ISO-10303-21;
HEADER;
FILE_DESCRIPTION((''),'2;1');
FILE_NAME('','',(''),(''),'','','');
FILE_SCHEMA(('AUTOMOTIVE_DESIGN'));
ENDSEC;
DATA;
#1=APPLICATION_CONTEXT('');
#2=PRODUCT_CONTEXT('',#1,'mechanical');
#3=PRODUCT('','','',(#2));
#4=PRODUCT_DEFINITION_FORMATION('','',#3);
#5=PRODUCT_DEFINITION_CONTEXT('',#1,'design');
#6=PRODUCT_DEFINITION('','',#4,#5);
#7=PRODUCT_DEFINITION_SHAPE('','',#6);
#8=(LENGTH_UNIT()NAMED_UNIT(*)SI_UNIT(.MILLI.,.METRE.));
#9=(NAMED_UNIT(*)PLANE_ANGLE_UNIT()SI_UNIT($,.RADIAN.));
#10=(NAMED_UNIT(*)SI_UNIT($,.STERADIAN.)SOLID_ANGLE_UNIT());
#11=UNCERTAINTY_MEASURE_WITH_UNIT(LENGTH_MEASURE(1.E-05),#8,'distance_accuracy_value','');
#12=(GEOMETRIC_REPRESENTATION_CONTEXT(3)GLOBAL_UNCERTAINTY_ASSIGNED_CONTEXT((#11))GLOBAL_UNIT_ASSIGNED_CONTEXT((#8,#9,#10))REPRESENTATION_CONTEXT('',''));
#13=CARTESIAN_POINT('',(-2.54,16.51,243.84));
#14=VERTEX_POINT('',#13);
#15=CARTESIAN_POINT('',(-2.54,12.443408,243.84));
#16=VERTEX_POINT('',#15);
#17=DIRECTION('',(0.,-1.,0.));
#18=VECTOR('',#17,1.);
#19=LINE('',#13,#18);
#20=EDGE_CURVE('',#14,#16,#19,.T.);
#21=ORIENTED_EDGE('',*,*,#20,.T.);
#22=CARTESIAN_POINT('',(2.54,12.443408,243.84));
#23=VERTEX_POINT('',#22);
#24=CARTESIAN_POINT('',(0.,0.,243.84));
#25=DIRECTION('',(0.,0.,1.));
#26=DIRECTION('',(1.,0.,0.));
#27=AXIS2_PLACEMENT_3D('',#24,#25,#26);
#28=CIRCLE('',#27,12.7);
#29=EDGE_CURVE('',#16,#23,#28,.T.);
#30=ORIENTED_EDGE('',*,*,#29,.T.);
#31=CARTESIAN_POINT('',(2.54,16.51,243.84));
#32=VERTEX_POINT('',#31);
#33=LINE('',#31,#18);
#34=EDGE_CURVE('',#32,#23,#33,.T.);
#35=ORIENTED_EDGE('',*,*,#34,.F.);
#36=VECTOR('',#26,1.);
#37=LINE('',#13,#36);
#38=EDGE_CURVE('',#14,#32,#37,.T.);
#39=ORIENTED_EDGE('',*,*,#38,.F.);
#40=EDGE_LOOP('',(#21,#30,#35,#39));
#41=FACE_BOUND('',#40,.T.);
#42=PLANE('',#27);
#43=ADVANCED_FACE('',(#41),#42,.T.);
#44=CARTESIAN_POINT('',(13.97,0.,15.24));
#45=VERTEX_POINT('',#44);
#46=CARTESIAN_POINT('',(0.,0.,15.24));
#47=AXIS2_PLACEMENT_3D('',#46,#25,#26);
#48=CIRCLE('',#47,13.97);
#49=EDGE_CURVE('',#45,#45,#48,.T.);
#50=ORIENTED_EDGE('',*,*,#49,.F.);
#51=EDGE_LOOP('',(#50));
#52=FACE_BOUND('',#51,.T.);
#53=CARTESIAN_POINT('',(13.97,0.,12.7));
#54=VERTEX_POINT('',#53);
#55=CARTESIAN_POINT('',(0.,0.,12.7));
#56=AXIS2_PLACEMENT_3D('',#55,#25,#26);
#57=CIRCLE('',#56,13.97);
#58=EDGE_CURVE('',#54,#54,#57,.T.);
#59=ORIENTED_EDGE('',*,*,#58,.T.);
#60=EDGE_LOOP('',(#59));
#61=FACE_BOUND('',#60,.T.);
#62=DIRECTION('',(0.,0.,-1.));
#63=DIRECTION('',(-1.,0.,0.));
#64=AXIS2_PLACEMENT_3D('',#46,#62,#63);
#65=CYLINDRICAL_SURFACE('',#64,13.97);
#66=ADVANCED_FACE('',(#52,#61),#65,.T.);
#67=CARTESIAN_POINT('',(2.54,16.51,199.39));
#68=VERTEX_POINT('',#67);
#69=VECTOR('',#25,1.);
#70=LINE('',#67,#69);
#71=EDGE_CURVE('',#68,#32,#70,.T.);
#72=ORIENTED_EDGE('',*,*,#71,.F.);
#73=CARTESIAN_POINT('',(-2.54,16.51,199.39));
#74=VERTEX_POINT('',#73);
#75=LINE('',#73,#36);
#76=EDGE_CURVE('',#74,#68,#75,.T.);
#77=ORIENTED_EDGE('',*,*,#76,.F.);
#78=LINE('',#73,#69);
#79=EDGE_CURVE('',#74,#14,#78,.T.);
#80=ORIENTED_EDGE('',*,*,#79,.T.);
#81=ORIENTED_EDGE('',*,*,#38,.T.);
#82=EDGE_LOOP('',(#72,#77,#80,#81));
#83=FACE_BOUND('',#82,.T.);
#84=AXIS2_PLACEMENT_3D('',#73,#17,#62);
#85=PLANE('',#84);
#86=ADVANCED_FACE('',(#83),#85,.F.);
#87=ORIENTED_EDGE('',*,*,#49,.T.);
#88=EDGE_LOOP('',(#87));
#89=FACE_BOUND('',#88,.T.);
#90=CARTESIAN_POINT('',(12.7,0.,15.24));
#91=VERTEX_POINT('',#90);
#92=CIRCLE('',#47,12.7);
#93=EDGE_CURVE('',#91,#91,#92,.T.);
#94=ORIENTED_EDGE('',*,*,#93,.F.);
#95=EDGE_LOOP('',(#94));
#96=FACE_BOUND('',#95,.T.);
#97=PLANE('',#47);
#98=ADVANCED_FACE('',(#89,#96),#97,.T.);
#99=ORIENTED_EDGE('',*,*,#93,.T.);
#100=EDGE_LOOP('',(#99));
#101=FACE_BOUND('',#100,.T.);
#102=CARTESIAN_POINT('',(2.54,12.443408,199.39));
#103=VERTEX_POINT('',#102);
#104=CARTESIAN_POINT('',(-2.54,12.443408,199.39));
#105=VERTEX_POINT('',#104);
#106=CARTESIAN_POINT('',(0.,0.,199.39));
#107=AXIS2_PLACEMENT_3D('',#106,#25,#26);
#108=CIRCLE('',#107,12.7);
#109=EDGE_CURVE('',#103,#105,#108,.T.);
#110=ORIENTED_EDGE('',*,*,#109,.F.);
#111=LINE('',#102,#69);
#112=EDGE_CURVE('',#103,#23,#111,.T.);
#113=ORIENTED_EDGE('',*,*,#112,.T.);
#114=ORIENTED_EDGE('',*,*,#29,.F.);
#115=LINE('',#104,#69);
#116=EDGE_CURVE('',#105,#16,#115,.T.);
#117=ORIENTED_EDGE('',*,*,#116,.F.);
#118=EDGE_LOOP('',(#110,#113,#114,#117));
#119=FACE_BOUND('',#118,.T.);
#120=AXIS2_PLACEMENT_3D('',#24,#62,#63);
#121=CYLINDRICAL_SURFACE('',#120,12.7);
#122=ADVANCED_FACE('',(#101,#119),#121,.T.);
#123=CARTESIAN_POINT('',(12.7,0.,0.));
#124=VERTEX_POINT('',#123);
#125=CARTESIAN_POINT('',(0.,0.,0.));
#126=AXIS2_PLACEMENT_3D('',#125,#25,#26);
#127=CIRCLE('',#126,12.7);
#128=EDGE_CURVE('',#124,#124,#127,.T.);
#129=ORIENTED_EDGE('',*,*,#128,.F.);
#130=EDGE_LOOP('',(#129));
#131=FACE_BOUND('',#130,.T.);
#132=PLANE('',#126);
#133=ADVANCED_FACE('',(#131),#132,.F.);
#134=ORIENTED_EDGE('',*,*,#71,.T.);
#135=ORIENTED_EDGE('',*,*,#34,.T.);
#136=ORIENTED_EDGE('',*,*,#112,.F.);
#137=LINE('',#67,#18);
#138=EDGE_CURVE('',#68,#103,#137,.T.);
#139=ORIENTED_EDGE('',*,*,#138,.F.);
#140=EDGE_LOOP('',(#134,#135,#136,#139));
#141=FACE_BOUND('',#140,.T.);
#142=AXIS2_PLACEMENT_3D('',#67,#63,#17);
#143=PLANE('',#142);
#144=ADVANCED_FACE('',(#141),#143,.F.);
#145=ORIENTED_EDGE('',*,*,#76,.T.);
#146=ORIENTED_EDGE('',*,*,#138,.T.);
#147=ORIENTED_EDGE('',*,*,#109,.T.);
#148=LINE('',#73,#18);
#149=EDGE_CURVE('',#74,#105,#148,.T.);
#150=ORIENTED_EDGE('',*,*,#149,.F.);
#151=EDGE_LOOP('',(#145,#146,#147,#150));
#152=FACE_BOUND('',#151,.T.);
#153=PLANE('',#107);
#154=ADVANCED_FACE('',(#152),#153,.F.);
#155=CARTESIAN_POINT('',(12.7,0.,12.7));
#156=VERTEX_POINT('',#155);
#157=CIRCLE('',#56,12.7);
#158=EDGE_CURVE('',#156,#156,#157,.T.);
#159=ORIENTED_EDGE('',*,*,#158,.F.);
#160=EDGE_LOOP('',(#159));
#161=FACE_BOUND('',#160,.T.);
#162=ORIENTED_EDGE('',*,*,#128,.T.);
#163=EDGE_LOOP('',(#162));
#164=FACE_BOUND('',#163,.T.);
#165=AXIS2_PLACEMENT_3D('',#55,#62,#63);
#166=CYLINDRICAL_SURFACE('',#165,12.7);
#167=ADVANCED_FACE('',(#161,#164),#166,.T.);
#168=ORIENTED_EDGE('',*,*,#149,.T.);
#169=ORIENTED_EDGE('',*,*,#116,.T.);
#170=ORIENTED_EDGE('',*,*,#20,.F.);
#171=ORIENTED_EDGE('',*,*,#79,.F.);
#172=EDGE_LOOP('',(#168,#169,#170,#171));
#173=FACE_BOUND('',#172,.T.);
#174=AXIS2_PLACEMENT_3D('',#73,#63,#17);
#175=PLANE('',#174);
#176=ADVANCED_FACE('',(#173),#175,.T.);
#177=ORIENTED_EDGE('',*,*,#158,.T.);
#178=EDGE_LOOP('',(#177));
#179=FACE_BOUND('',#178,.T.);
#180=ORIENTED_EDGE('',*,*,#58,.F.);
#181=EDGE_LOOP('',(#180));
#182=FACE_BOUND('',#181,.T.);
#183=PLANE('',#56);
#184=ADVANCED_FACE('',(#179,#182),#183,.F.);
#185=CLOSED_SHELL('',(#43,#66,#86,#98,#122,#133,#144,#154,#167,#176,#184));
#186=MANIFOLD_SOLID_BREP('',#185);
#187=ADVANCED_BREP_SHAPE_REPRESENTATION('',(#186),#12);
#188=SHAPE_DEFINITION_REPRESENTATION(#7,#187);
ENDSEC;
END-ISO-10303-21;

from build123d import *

# Parameters (mm, degrees)
SKETCH1_R           = 12.7
BOSS_EXTRUDE1_DEPTH = 12.7
SKETCH2_R           = 13.97
BOSS_EXTRUDE2_DEPTH = 2.54
SKETCH3_R           = 12.7
BOSS_EXTRUDE3_DEPTH = 228.6
BOSS_EXTRUDE4_START = -44.45
BOSS_EXTRUDE4_DEPTH = 44.45


with BuildPart() as part:
    # Sketch1 → Boss-Extrude1 (new body)
    with BuildSketch(Plane.XY):
        Circle(SKETCH1_R)
    extrude(amount=BOSS_EXTRUDE1_DEPTH)

    # Sketch2 → Boss-Extrude2 (add)
    with BuildSketch(Plane.XY.offset(12.7)):
        Circle(SKETCH2_R)
    extrude(amount=BOSS_EXTRUDE2_DEPTH)

    # Sketch3 → Boss-Extrude3 (add)
    with BuildSketch(Plane.XY.offset(15.24)):
        Circle(SKETCH3_R)
    extrude(amount=BOSS_EXTRUDE3_DEPTH)

    # Sketch4 → Boss-Extrude4 (add)
    with BuildSketch(Plane.XY.offset(243.84).offset(BOSS_EXTRUDE4_START)):
        with BuildLine():
            Line((-2.54, 16.51), (2.54, 16.51))
            Line((2.54, 16.51), (2.54, 12.443407893))
            ThreePointArc((2.54, 12.443407893), (0, 12.7), (-2.54, 12.443407893))
            Line((-2.54, 12.443407893), (-2.54, 16.51))
        make_face()
    extrude(amount=BOSS_EXTRUDE4_DEPTH)


solid = part.part
